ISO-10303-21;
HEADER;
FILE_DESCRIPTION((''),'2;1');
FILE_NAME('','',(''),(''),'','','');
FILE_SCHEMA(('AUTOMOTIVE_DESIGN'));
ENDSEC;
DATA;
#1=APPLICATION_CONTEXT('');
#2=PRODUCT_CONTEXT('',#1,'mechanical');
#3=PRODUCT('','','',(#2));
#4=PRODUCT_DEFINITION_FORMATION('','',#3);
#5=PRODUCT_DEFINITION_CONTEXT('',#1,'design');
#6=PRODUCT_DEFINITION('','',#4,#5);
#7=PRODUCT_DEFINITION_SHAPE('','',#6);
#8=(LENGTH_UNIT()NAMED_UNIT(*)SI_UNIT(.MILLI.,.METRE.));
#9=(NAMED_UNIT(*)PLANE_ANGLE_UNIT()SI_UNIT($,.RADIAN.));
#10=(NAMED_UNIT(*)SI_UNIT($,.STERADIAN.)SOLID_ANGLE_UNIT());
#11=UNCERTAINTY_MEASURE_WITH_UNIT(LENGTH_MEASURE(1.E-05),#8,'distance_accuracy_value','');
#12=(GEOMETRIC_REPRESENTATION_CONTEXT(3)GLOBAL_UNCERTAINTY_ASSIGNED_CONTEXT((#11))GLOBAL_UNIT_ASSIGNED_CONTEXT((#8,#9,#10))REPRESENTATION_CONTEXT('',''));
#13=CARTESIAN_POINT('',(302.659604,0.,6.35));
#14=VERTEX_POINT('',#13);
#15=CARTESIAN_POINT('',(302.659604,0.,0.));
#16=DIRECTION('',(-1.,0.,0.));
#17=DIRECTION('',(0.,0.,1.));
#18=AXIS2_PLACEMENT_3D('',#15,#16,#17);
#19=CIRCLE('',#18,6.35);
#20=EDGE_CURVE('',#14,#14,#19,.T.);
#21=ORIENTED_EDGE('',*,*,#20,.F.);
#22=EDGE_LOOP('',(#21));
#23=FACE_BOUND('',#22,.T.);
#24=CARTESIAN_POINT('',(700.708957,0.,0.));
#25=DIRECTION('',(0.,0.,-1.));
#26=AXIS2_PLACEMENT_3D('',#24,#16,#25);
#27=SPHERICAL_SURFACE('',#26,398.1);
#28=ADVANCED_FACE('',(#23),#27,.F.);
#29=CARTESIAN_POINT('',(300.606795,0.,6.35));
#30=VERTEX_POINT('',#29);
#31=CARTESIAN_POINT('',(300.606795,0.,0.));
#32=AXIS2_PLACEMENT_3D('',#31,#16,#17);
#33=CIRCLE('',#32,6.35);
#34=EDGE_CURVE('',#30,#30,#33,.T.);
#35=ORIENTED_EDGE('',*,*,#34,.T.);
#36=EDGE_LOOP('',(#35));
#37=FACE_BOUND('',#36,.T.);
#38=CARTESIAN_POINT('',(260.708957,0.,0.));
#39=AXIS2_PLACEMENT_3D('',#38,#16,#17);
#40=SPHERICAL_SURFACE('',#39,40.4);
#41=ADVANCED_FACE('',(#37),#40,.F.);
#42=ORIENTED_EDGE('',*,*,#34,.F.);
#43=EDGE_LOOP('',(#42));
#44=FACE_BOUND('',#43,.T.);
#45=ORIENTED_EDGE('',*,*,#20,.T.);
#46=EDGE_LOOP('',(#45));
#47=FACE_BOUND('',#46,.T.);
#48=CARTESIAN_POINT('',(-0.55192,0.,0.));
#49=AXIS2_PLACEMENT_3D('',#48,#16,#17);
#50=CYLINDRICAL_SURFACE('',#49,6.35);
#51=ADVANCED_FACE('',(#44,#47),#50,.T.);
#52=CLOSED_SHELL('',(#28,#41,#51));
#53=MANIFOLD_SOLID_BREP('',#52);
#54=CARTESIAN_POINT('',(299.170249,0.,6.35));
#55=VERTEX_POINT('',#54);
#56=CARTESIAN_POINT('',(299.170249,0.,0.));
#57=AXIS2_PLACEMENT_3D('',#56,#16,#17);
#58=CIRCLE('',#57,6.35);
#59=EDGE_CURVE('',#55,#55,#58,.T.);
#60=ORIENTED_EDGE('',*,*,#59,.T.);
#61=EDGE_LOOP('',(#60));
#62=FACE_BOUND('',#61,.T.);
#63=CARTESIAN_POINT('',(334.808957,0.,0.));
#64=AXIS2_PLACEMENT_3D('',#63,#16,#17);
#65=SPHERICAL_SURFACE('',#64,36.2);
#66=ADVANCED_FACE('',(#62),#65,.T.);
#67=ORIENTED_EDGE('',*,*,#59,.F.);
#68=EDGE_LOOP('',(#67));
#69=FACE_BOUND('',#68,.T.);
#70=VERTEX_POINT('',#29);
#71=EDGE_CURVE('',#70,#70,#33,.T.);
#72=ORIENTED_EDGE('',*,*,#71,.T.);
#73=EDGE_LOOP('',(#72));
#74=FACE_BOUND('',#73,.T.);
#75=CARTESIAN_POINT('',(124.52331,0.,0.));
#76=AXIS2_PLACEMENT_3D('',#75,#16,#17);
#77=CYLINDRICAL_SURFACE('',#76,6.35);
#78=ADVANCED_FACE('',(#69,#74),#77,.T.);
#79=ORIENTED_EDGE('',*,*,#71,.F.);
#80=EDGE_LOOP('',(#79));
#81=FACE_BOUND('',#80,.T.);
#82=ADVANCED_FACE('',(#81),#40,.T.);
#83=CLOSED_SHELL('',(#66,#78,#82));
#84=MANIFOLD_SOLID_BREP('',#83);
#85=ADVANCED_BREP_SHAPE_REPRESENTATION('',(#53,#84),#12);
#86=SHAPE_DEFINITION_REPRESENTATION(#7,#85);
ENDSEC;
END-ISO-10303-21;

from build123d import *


with BuildPart() as part:
    # 草图1 one side → 旋转1 (revolve)
    with BuildSketch(Plane(origin=(0, 0, 0), x_dir=(1, 0, 0), z_dir=(0, 1, 0)), mode=Mode.PRIVATE) as revolve_1_sk:
        with BuildLine():
            ThreePointArc((299.170248761, 6.35), (298.749552707, 3.187379364), (298.60895665, 0))
            Line((298.60895665, 0), (301.10895665, 0))
            ThreePointArc((301.10895665, 0), (300.983220559, 3.184912337), (300.606794938, 6.35))
            Line((300.606794938, 6.35), (299.170248761, 6.35))
        make_face()
    revolve(revolve_1_sk.sketch.rotate(Axis((124.523309526, 0, 0), (1, 0, 0)), 180), axis=Axis((124.523309526, 0, 0), (1, 0, 0)))  # turned: the seam where the file's is


with BuildPart() as body_2:
    # 草图2 one side → 旋转3 (revolve)
    with BuildSketch(Plane(origin=(0, 0, 0), x_dir=(1, 0, 0), z_dir=(0, 1, 0)), mode=Mode.PRIVATE) as revolve_3_sk:
        with BuildLine():
            Line((302.659603555, 6.35), (300.606794938, 6.35))
            ThreePointArc((300.606794938, 6.35), (300.983220559, 3.184912337), (301.10895665, 0))
            Line((301.10895665, 0), (302.60895665, 0))
            ThreePointArc((302.60895665, 0), (302.621618578, 3.175100987), (302.659603555, 6.35))
        make_face()
    revolve(revolve_3_sk.sketch.rotate(Axis((-0.551919993, 0, 0), (1, 0, 0)), 180), axis=Axis((-0.551919993, 0, 0), (1, 0, 0)))  # turned: the seam where the file's is


solid = Compound([part.part, body_2.part])
